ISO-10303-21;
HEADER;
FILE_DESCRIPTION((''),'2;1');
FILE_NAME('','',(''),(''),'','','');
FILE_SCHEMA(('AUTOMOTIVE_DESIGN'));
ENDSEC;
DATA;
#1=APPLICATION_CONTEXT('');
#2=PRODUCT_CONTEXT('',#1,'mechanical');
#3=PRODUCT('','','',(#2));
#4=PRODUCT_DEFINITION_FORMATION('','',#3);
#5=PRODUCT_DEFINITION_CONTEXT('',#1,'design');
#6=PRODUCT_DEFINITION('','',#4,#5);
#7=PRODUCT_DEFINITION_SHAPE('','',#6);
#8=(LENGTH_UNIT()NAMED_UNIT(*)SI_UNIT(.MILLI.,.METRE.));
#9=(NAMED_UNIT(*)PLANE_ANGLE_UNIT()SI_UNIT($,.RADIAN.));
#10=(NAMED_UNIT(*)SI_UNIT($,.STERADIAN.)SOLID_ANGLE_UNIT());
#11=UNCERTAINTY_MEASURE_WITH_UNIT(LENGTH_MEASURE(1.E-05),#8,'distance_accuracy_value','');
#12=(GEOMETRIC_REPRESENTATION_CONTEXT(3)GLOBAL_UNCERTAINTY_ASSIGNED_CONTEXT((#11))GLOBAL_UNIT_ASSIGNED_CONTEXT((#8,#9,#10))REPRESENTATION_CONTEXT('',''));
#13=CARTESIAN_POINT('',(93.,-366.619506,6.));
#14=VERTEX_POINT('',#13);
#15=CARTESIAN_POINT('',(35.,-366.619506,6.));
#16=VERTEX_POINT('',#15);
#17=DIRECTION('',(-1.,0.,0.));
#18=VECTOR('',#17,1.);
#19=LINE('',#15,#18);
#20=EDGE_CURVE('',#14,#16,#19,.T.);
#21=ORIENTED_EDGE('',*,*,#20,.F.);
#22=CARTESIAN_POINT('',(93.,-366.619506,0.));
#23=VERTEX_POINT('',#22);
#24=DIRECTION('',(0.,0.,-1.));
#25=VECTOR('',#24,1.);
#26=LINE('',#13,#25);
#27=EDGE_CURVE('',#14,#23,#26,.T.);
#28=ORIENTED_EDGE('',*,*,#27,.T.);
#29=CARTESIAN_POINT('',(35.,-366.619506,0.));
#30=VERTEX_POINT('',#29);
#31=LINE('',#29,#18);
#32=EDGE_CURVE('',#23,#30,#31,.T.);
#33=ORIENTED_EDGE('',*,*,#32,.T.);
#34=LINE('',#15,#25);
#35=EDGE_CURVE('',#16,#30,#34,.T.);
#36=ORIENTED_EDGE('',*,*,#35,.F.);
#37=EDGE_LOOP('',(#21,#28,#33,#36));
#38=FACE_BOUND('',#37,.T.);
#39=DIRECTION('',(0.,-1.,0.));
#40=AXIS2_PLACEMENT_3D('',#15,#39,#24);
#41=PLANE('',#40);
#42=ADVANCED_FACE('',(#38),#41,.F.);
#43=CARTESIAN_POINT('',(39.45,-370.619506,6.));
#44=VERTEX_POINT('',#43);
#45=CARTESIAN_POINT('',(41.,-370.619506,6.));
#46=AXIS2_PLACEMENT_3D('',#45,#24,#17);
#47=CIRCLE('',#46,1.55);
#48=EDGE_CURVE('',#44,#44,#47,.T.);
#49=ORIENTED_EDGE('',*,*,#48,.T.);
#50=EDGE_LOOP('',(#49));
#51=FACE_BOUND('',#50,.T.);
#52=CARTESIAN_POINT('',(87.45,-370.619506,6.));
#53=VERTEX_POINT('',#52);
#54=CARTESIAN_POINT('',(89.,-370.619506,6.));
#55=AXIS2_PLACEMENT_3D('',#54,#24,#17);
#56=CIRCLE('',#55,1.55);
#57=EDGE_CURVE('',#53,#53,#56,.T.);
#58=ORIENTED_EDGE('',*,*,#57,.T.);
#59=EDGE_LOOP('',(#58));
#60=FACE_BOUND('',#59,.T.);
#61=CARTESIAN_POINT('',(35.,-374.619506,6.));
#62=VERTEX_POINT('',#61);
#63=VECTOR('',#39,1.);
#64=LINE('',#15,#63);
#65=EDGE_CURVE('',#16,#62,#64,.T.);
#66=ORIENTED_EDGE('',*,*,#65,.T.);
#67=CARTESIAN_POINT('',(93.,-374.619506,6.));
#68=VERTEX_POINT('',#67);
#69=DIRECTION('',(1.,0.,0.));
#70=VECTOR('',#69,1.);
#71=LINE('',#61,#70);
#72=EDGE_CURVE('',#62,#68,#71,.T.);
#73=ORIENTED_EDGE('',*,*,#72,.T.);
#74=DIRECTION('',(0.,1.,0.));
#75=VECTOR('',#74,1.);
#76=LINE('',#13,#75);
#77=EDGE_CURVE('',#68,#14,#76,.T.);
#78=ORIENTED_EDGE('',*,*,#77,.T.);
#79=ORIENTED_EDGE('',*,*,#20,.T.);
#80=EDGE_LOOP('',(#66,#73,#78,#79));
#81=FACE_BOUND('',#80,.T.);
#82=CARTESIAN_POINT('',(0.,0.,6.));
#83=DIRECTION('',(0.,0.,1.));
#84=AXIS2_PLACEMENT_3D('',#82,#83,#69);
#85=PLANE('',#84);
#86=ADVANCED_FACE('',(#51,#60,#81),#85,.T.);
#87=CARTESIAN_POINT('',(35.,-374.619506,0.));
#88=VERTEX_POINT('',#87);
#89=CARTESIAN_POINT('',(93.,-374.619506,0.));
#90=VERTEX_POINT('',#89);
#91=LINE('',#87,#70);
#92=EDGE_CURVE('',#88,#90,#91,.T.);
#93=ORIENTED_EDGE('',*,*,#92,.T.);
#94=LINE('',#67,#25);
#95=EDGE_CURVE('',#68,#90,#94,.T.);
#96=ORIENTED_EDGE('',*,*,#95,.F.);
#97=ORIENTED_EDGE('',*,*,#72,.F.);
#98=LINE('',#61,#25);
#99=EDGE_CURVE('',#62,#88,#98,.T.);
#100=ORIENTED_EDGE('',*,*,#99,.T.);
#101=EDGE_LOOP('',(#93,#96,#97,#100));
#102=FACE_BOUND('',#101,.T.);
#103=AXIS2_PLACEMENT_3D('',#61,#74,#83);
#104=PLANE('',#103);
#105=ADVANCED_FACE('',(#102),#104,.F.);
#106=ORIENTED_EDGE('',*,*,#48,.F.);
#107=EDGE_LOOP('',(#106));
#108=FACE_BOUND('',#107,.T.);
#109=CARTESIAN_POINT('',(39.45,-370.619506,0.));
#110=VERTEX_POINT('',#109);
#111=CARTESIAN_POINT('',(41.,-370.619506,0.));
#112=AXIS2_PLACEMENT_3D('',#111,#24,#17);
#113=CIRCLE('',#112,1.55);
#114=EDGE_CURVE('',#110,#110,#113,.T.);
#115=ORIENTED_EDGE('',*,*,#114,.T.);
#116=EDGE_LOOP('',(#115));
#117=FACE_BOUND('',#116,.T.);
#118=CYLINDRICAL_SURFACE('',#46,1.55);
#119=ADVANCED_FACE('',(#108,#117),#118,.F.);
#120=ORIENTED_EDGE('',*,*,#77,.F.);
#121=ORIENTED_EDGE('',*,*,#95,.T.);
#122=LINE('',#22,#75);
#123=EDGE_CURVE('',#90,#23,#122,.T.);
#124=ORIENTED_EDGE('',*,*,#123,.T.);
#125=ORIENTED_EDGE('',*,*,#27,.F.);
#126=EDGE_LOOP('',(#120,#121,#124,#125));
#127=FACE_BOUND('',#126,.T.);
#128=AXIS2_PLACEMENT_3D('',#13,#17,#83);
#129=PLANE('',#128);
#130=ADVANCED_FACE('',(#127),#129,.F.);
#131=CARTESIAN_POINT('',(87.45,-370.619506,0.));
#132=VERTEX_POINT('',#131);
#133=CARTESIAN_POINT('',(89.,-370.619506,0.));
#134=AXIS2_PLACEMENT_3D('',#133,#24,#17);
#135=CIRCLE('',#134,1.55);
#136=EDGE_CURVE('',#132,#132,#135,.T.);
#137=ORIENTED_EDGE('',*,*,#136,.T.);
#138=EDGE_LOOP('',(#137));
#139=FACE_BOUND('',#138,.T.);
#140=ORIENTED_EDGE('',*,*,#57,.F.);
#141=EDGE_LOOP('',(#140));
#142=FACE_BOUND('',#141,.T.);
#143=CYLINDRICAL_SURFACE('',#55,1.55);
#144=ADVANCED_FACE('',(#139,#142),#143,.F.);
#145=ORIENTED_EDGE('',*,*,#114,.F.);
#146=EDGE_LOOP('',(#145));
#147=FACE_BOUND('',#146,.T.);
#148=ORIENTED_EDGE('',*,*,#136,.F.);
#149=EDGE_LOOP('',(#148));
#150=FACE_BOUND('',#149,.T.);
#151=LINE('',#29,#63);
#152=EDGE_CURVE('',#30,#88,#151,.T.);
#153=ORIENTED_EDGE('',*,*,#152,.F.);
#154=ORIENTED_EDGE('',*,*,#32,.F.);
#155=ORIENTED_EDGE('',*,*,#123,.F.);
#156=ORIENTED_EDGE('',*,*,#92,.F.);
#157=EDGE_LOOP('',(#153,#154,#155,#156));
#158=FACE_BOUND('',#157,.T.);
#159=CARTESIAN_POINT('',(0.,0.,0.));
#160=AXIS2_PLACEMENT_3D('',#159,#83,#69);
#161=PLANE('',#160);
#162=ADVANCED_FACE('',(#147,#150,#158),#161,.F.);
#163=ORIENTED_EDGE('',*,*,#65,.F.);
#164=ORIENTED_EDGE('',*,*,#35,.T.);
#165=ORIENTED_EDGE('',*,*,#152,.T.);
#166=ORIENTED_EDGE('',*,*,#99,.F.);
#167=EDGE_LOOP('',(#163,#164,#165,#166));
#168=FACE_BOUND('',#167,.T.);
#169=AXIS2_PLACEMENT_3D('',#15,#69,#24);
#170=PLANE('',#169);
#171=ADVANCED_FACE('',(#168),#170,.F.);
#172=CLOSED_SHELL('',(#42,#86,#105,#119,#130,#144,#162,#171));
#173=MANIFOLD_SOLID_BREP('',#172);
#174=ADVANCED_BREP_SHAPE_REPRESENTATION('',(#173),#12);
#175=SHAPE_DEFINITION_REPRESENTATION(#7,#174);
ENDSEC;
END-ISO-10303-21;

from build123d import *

# Parameters (mm, degrees)
SZKIC1_W                    = 58
SZKIC1_H                    = 8
DODANIE_WYCI_GNI_CIE1_DEPTH = 6
SZKIC2_R                    = 1.55
WYTNIJ_WYCI_GNI_CIE1_DEPTH  = 6


with BuildPart() as part:
    # Szkic1 → Dodanie-wyciągnięcie1 (new body)
    with BuildSketch(Plane.XY):
        with Locations((64, -370.619505632)):
            Rectangle(SZKIC1_W, SZKIC1_H)
    extrude(amount=DODANIE_WYCI_GNI_CIE1_DEPTH)

    # Szkic2 → Wytnij-wyciągnięcie1 (cut)
    with BuildSketch(Plane(origin=(0, 0, 0), x_dir=(-1, 0, 0), z_dir=(0, 0, -1))):
        with Locations((-89, -370.619505632)):
            Circle(SZKIC2_R)
        with Locations((-41, -370.619505632)):
            Circle(SZKIC2_R)
    extrude(amount=-WYTNIJ_WYCI_GNI_CIE1_DEPTH, mode=Mode.SUBTRACT)


solid = part.part
